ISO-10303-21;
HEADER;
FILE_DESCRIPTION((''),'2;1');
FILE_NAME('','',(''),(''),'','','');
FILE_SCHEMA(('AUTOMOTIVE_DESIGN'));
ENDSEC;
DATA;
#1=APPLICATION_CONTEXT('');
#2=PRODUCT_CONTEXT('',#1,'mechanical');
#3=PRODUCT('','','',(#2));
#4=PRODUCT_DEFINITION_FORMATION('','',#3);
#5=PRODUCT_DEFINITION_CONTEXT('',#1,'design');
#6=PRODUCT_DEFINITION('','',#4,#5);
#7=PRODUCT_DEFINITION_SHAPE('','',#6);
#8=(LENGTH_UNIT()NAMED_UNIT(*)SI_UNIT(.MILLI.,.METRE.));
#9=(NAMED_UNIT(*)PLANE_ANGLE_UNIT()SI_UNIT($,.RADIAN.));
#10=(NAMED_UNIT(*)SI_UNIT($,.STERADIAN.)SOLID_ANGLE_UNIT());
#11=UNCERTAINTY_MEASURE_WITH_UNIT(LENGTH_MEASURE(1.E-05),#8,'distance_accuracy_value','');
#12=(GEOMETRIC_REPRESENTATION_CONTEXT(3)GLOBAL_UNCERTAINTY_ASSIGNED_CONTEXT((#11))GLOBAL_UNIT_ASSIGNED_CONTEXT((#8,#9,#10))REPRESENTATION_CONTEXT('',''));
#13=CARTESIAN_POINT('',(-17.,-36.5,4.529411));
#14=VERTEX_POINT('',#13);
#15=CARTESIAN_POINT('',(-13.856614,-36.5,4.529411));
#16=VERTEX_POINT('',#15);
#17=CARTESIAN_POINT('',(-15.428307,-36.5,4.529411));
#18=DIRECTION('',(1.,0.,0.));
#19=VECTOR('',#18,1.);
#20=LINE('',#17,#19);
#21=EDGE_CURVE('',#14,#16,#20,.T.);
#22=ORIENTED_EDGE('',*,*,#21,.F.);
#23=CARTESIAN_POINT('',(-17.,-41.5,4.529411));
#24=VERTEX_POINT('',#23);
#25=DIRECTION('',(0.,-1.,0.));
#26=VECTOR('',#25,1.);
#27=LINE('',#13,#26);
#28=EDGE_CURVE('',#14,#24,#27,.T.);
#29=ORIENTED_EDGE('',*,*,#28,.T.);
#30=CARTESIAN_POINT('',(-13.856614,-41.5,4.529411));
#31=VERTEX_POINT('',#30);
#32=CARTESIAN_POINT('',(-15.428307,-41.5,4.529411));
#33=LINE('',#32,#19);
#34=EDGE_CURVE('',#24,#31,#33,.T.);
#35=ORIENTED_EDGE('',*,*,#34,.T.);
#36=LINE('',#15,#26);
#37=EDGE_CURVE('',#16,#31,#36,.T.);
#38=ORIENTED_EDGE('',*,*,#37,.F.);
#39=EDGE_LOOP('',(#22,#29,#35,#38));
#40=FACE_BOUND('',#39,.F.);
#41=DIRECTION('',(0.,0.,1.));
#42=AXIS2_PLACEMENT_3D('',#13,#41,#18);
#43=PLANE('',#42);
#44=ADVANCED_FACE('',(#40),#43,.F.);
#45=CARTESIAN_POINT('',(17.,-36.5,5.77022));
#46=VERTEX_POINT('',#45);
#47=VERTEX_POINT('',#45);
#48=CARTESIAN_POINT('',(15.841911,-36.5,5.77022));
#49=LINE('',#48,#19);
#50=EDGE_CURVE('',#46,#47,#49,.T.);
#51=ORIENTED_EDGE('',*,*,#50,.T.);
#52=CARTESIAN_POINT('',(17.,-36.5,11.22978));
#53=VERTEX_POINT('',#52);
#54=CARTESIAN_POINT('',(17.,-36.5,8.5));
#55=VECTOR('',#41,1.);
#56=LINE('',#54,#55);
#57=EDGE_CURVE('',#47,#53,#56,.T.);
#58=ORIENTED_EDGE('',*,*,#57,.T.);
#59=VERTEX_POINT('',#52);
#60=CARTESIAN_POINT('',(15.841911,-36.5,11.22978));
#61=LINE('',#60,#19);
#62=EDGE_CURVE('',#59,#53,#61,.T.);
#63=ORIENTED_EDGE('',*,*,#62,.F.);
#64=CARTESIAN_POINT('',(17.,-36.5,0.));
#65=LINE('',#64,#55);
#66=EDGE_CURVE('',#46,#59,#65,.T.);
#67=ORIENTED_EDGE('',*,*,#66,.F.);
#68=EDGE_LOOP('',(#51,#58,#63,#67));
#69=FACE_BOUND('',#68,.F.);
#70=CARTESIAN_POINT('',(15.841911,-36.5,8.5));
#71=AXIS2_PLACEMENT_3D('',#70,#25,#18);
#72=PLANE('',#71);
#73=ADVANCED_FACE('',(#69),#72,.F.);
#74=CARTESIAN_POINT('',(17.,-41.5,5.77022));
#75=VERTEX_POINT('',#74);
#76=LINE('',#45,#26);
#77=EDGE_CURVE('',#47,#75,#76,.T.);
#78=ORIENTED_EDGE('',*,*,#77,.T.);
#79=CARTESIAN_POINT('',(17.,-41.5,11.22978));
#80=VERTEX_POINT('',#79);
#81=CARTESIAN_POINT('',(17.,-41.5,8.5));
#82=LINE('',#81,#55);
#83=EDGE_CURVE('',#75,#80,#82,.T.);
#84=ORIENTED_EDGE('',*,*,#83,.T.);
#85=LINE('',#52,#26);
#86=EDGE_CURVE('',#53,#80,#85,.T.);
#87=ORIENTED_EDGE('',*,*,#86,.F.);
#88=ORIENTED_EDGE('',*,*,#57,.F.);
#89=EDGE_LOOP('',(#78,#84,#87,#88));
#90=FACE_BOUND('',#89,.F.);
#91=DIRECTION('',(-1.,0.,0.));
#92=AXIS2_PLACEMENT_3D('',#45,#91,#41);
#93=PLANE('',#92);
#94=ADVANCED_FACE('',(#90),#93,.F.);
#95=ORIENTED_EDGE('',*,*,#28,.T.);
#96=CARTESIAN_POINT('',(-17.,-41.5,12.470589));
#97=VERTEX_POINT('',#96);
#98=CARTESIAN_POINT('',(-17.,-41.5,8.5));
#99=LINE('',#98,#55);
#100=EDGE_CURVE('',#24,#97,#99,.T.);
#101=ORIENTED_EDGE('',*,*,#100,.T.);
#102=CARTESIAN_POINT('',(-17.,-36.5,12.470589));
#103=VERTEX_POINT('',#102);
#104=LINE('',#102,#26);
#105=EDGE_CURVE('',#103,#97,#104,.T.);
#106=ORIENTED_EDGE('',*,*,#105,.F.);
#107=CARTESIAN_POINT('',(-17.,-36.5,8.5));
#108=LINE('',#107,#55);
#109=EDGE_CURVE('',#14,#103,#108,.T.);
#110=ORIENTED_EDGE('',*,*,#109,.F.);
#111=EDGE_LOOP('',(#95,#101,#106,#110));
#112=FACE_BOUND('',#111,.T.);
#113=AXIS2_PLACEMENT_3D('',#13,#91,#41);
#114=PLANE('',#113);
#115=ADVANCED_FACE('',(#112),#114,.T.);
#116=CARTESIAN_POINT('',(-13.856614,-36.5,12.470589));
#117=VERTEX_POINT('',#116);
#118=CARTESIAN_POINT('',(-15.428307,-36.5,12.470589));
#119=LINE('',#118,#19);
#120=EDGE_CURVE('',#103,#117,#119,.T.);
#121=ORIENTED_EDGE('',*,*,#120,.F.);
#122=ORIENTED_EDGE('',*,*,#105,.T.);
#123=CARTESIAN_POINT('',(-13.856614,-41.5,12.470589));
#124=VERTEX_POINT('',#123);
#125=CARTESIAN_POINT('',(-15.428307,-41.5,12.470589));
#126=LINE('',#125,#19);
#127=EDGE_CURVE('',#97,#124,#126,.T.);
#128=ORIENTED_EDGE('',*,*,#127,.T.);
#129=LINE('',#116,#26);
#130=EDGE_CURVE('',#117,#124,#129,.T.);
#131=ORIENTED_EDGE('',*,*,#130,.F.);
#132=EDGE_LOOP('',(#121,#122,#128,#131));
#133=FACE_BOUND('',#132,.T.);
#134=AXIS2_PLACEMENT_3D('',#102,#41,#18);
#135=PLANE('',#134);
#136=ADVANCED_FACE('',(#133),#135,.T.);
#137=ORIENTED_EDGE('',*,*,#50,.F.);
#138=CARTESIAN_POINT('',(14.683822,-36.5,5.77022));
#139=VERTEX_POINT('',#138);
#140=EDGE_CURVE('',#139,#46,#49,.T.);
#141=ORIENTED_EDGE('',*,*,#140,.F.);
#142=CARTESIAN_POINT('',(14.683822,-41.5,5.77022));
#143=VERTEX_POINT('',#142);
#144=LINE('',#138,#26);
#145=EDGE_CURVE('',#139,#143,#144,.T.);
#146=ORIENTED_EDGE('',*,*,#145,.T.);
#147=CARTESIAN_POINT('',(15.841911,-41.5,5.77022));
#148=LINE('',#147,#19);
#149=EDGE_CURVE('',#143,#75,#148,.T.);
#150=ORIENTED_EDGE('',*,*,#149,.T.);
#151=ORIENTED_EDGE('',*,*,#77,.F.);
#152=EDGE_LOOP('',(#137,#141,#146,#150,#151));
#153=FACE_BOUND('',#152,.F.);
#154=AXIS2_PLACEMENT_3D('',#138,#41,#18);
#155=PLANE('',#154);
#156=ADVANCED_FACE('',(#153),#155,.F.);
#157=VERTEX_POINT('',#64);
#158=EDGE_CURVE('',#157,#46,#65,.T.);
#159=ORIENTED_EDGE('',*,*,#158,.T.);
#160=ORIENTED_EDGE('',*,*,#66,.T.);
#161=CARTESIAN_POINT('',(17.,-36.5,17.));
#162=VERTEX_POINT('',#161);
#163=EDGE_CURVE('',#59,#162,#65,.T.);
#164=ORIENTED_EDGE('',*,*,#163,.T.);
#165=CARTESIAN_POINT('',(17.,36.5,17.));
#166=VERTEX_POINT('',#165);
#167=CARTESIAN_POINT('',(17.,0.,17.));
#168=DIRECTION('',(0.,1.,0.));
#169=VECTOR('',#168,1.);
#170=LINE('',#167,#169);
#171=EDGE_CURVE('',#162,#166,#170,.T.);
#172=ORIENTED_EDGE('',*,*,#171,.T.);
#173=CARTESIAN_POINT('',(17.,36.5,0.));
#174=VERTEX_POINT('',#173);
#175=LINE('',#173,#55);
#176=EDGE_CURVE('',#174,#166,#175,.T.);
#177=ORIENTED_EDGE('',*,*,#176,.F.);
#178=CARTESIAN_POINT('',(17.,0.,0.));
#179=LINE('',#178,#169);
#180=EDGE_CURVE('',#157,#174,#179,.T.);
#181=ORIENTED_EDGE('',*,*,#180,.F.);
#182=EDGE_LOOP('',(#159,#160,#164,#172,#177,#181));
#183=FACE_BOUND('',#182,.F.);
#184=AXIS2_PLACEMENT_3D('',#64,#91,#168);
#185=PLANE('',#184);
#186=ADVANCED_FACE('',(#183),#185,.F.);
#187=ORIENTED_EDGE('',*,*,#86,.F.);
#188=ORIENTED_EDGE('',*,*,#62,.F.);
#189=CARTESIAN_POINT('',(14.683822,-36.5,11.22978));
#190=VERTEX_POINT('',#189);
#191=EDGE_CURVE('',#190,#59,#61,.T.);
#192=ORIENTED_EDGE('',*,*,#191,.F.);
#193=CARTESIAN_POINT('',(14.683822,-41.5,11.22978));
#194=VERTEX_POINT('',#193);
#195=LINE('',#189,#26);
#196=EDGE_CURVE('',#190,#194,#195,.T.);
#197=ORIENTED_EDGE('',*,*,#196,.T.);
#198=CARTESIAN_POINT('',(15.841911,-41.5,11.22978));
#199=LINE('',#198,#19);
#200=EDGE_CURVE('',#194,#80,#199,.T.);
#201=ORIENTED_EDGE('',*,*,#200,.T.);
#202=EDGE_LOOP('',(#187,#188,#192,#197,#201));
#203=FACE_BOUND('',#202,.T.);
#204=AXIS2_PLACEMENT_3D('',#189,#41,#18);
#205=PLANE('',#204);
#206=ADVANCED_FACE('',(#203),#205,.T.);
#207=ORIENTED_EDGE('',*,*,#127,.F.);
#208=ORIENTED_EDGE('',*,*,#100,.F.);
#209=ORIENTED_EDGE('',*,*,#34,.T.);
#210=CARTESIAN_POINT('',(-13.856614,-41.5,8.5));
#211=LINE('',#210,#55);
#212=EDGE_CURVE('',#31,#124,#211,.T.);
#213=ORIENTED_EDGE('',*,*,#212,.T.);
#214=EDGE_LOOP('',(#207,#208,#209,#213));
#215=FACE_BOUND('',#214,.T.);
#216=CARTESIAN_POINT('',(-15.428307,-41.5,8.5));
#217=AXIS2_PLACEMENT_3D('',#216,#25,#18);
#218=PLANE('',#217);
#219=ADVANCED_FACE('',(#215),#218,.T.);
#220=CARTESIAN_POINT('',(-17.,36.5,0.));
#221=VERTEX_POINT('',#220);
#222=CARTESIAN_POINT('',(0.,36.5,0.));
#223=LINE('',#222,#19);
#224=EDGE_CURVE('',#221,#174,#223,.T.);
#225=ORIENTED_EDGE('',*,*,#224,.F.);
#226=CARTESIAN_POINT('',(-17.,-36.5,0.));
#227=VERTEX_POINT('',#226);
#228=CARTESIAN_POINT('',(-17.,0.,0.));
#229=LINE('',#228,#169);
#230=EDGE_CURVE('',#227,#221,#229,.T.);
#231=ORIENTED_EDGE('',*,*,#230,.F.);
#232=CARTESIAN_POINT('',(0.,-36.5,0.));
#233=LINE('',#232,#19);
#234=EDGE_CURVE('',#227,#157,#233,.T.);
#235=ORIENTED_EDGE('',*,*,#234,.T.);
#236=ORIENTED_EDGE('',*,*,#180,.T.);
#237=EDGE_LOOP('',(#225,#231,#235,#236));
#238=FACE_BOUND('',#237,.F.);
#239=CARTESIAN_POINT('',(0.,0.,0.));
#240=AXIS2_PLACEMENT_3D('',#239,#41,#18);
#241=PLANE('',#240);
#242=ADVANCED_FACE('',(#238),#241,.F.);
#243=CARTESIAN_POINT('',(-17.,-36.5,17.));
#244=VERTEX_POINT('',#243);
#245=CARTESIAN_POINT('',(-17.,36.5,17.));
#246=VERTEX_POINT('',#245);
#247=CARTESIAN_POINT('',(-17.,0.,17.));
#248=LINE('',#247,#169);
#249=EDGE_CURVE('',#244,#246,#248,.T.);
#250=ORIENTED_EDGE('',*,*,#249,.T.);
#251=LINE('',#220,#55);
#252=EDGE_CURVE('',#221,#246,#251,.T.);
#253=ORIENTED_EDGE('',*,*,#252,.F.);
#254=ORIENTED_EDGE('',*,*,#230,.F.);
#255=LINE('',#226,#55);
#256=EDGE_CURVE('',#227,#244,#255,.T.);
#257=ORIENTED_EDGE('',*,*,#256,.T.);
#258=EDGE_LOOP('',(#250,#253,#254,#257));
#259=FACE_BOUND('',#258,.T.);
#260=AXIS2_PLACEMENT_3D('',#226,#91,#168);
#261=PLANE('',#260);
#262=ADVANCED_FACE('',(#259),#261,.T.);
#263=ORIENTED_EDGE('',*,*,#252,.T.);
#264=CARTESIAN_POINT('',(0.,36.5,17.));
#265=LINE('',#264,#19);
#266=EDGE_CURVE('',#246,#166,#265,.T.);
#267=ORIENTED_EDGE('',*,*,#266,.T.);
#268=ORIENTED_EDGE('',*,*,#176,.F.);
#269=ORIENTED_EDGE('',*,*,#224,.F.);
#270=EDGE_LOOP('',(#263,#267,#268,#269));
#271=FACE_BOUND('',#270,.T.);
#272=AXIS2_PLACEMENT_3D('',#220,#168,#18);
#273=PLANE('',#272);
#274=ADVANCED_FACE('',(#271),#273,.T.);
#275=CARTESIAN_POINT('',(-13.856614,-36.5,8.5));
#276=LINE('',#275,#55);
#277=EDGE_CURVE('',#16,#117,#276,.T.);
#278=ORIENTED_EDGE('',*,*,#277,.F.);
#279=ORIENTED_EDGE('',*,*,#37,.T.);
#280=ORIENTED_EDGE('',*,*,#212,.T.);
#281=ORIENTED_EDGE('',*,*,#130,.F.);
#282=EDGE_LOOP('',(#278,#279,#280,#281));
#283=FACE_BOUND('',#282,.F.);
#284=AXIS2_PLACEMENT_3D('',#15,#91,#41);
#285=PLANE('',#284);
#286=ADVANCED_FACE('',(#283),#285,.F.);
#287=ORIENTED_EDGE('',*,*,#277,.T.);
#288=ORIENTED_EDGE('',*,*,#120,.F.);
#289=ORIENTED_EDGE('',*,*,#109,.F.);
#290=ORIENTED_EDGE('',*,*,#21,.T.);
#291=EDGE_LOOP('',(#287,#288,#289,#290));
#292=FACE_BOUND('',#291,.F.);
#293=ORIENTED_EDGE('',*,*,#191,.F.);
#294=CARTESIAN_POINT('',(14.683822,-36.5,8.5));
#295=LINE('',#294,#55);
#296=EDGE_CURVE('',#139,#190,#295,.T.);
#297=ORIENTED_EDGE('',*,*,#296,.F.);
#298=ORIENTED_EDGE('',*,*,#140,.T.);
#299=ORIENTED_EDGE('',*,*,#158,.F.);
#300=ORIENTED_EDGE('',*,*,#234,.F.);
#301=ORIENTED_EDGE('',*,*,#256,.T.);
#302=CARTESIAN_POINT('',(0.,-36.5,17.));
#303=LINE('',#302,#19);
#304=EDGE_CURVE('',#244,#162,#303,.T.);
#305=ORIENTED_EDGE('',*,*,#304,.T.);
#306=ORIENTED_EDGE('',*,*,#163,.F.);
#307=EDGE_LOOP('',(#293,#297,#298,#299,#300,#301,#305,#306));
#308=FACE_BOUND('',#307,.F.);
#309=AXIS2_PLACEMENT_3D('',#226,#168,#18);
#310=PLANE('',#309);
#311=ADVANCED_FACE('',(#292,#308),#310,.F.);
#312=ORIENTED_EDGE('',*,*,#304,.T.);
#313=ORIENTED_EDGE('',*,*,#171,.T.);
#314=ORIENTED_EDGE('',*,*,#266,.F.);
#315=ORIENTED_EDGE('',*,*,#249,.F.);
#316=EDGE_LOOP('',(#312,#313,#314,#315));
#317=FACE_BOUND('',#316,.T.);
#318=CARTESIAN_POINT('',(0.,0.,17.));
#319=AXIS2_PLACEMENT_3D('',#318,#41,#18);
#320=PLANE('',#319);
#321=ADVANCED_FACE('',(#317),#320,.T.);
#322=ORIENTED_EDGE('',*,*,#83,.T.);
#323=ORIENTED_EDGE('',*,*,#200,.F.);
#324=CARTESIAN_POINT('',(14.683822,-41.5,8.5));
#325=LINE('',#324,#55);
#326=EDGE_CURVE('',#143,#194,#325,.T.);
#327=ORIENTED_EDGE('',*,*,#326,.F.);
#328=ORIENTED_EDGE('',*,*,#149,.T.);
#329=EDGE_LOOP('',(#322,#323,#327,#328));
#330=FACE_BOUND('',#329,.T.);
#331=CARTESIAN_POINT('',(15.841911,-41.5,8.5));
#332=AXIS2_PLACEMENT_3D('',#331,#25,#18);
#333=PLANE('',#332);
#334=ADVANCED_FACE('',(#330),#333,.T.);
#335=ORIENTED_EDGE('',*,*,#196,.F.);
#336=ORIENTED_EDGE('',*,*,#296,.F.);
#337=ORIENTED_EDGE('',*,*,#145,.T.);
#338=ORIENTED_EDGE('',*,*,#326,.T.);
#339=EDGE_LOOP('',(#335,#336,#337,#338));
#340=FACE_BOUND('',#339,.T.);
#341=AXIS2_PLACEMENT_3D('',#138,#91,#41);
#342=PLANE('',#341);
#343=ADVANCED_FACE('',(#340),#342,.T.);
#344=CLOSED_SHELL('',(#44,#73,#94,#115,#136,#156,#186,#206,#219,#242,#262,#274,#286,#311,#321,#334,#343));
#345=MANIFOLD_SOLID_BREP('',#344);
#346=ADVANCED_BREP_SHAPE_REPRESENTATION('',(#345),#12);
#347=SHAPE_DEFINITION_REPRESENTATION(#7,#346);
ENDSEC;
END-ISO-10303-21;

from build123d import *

# Parameters (mm, degrees)
F0_W     = 34
F0_H     = 73
F1_DEPTH = 17
F2_W     = 3.143385
F2_H     = 7.941178
F2_W_2   = 2.316179
F2_H_2   = 5.45956
F3_DEPTH = 5


with BuildPart() as f1:
    # F0 (on Top) → F1 (new body)
    with BuildSketch(Plane.XY):
        Rectangle(F0_W, F0_H)
    extrude(amount=F1_DEPTH)

    # F2 (on face) → F3 (join)
    with BuildSketch(Plane.XZ.offset(36.5)):
        with Locations((-15.428307, 8.5)):
            Rectangle(F2_W, F2_H)
        with Locations((15.841911, 8.5)):
            Rectangle(F2_W_2, F2_H_2)
    extrude(amount=F3_DEPTH)


solid = f1.part
